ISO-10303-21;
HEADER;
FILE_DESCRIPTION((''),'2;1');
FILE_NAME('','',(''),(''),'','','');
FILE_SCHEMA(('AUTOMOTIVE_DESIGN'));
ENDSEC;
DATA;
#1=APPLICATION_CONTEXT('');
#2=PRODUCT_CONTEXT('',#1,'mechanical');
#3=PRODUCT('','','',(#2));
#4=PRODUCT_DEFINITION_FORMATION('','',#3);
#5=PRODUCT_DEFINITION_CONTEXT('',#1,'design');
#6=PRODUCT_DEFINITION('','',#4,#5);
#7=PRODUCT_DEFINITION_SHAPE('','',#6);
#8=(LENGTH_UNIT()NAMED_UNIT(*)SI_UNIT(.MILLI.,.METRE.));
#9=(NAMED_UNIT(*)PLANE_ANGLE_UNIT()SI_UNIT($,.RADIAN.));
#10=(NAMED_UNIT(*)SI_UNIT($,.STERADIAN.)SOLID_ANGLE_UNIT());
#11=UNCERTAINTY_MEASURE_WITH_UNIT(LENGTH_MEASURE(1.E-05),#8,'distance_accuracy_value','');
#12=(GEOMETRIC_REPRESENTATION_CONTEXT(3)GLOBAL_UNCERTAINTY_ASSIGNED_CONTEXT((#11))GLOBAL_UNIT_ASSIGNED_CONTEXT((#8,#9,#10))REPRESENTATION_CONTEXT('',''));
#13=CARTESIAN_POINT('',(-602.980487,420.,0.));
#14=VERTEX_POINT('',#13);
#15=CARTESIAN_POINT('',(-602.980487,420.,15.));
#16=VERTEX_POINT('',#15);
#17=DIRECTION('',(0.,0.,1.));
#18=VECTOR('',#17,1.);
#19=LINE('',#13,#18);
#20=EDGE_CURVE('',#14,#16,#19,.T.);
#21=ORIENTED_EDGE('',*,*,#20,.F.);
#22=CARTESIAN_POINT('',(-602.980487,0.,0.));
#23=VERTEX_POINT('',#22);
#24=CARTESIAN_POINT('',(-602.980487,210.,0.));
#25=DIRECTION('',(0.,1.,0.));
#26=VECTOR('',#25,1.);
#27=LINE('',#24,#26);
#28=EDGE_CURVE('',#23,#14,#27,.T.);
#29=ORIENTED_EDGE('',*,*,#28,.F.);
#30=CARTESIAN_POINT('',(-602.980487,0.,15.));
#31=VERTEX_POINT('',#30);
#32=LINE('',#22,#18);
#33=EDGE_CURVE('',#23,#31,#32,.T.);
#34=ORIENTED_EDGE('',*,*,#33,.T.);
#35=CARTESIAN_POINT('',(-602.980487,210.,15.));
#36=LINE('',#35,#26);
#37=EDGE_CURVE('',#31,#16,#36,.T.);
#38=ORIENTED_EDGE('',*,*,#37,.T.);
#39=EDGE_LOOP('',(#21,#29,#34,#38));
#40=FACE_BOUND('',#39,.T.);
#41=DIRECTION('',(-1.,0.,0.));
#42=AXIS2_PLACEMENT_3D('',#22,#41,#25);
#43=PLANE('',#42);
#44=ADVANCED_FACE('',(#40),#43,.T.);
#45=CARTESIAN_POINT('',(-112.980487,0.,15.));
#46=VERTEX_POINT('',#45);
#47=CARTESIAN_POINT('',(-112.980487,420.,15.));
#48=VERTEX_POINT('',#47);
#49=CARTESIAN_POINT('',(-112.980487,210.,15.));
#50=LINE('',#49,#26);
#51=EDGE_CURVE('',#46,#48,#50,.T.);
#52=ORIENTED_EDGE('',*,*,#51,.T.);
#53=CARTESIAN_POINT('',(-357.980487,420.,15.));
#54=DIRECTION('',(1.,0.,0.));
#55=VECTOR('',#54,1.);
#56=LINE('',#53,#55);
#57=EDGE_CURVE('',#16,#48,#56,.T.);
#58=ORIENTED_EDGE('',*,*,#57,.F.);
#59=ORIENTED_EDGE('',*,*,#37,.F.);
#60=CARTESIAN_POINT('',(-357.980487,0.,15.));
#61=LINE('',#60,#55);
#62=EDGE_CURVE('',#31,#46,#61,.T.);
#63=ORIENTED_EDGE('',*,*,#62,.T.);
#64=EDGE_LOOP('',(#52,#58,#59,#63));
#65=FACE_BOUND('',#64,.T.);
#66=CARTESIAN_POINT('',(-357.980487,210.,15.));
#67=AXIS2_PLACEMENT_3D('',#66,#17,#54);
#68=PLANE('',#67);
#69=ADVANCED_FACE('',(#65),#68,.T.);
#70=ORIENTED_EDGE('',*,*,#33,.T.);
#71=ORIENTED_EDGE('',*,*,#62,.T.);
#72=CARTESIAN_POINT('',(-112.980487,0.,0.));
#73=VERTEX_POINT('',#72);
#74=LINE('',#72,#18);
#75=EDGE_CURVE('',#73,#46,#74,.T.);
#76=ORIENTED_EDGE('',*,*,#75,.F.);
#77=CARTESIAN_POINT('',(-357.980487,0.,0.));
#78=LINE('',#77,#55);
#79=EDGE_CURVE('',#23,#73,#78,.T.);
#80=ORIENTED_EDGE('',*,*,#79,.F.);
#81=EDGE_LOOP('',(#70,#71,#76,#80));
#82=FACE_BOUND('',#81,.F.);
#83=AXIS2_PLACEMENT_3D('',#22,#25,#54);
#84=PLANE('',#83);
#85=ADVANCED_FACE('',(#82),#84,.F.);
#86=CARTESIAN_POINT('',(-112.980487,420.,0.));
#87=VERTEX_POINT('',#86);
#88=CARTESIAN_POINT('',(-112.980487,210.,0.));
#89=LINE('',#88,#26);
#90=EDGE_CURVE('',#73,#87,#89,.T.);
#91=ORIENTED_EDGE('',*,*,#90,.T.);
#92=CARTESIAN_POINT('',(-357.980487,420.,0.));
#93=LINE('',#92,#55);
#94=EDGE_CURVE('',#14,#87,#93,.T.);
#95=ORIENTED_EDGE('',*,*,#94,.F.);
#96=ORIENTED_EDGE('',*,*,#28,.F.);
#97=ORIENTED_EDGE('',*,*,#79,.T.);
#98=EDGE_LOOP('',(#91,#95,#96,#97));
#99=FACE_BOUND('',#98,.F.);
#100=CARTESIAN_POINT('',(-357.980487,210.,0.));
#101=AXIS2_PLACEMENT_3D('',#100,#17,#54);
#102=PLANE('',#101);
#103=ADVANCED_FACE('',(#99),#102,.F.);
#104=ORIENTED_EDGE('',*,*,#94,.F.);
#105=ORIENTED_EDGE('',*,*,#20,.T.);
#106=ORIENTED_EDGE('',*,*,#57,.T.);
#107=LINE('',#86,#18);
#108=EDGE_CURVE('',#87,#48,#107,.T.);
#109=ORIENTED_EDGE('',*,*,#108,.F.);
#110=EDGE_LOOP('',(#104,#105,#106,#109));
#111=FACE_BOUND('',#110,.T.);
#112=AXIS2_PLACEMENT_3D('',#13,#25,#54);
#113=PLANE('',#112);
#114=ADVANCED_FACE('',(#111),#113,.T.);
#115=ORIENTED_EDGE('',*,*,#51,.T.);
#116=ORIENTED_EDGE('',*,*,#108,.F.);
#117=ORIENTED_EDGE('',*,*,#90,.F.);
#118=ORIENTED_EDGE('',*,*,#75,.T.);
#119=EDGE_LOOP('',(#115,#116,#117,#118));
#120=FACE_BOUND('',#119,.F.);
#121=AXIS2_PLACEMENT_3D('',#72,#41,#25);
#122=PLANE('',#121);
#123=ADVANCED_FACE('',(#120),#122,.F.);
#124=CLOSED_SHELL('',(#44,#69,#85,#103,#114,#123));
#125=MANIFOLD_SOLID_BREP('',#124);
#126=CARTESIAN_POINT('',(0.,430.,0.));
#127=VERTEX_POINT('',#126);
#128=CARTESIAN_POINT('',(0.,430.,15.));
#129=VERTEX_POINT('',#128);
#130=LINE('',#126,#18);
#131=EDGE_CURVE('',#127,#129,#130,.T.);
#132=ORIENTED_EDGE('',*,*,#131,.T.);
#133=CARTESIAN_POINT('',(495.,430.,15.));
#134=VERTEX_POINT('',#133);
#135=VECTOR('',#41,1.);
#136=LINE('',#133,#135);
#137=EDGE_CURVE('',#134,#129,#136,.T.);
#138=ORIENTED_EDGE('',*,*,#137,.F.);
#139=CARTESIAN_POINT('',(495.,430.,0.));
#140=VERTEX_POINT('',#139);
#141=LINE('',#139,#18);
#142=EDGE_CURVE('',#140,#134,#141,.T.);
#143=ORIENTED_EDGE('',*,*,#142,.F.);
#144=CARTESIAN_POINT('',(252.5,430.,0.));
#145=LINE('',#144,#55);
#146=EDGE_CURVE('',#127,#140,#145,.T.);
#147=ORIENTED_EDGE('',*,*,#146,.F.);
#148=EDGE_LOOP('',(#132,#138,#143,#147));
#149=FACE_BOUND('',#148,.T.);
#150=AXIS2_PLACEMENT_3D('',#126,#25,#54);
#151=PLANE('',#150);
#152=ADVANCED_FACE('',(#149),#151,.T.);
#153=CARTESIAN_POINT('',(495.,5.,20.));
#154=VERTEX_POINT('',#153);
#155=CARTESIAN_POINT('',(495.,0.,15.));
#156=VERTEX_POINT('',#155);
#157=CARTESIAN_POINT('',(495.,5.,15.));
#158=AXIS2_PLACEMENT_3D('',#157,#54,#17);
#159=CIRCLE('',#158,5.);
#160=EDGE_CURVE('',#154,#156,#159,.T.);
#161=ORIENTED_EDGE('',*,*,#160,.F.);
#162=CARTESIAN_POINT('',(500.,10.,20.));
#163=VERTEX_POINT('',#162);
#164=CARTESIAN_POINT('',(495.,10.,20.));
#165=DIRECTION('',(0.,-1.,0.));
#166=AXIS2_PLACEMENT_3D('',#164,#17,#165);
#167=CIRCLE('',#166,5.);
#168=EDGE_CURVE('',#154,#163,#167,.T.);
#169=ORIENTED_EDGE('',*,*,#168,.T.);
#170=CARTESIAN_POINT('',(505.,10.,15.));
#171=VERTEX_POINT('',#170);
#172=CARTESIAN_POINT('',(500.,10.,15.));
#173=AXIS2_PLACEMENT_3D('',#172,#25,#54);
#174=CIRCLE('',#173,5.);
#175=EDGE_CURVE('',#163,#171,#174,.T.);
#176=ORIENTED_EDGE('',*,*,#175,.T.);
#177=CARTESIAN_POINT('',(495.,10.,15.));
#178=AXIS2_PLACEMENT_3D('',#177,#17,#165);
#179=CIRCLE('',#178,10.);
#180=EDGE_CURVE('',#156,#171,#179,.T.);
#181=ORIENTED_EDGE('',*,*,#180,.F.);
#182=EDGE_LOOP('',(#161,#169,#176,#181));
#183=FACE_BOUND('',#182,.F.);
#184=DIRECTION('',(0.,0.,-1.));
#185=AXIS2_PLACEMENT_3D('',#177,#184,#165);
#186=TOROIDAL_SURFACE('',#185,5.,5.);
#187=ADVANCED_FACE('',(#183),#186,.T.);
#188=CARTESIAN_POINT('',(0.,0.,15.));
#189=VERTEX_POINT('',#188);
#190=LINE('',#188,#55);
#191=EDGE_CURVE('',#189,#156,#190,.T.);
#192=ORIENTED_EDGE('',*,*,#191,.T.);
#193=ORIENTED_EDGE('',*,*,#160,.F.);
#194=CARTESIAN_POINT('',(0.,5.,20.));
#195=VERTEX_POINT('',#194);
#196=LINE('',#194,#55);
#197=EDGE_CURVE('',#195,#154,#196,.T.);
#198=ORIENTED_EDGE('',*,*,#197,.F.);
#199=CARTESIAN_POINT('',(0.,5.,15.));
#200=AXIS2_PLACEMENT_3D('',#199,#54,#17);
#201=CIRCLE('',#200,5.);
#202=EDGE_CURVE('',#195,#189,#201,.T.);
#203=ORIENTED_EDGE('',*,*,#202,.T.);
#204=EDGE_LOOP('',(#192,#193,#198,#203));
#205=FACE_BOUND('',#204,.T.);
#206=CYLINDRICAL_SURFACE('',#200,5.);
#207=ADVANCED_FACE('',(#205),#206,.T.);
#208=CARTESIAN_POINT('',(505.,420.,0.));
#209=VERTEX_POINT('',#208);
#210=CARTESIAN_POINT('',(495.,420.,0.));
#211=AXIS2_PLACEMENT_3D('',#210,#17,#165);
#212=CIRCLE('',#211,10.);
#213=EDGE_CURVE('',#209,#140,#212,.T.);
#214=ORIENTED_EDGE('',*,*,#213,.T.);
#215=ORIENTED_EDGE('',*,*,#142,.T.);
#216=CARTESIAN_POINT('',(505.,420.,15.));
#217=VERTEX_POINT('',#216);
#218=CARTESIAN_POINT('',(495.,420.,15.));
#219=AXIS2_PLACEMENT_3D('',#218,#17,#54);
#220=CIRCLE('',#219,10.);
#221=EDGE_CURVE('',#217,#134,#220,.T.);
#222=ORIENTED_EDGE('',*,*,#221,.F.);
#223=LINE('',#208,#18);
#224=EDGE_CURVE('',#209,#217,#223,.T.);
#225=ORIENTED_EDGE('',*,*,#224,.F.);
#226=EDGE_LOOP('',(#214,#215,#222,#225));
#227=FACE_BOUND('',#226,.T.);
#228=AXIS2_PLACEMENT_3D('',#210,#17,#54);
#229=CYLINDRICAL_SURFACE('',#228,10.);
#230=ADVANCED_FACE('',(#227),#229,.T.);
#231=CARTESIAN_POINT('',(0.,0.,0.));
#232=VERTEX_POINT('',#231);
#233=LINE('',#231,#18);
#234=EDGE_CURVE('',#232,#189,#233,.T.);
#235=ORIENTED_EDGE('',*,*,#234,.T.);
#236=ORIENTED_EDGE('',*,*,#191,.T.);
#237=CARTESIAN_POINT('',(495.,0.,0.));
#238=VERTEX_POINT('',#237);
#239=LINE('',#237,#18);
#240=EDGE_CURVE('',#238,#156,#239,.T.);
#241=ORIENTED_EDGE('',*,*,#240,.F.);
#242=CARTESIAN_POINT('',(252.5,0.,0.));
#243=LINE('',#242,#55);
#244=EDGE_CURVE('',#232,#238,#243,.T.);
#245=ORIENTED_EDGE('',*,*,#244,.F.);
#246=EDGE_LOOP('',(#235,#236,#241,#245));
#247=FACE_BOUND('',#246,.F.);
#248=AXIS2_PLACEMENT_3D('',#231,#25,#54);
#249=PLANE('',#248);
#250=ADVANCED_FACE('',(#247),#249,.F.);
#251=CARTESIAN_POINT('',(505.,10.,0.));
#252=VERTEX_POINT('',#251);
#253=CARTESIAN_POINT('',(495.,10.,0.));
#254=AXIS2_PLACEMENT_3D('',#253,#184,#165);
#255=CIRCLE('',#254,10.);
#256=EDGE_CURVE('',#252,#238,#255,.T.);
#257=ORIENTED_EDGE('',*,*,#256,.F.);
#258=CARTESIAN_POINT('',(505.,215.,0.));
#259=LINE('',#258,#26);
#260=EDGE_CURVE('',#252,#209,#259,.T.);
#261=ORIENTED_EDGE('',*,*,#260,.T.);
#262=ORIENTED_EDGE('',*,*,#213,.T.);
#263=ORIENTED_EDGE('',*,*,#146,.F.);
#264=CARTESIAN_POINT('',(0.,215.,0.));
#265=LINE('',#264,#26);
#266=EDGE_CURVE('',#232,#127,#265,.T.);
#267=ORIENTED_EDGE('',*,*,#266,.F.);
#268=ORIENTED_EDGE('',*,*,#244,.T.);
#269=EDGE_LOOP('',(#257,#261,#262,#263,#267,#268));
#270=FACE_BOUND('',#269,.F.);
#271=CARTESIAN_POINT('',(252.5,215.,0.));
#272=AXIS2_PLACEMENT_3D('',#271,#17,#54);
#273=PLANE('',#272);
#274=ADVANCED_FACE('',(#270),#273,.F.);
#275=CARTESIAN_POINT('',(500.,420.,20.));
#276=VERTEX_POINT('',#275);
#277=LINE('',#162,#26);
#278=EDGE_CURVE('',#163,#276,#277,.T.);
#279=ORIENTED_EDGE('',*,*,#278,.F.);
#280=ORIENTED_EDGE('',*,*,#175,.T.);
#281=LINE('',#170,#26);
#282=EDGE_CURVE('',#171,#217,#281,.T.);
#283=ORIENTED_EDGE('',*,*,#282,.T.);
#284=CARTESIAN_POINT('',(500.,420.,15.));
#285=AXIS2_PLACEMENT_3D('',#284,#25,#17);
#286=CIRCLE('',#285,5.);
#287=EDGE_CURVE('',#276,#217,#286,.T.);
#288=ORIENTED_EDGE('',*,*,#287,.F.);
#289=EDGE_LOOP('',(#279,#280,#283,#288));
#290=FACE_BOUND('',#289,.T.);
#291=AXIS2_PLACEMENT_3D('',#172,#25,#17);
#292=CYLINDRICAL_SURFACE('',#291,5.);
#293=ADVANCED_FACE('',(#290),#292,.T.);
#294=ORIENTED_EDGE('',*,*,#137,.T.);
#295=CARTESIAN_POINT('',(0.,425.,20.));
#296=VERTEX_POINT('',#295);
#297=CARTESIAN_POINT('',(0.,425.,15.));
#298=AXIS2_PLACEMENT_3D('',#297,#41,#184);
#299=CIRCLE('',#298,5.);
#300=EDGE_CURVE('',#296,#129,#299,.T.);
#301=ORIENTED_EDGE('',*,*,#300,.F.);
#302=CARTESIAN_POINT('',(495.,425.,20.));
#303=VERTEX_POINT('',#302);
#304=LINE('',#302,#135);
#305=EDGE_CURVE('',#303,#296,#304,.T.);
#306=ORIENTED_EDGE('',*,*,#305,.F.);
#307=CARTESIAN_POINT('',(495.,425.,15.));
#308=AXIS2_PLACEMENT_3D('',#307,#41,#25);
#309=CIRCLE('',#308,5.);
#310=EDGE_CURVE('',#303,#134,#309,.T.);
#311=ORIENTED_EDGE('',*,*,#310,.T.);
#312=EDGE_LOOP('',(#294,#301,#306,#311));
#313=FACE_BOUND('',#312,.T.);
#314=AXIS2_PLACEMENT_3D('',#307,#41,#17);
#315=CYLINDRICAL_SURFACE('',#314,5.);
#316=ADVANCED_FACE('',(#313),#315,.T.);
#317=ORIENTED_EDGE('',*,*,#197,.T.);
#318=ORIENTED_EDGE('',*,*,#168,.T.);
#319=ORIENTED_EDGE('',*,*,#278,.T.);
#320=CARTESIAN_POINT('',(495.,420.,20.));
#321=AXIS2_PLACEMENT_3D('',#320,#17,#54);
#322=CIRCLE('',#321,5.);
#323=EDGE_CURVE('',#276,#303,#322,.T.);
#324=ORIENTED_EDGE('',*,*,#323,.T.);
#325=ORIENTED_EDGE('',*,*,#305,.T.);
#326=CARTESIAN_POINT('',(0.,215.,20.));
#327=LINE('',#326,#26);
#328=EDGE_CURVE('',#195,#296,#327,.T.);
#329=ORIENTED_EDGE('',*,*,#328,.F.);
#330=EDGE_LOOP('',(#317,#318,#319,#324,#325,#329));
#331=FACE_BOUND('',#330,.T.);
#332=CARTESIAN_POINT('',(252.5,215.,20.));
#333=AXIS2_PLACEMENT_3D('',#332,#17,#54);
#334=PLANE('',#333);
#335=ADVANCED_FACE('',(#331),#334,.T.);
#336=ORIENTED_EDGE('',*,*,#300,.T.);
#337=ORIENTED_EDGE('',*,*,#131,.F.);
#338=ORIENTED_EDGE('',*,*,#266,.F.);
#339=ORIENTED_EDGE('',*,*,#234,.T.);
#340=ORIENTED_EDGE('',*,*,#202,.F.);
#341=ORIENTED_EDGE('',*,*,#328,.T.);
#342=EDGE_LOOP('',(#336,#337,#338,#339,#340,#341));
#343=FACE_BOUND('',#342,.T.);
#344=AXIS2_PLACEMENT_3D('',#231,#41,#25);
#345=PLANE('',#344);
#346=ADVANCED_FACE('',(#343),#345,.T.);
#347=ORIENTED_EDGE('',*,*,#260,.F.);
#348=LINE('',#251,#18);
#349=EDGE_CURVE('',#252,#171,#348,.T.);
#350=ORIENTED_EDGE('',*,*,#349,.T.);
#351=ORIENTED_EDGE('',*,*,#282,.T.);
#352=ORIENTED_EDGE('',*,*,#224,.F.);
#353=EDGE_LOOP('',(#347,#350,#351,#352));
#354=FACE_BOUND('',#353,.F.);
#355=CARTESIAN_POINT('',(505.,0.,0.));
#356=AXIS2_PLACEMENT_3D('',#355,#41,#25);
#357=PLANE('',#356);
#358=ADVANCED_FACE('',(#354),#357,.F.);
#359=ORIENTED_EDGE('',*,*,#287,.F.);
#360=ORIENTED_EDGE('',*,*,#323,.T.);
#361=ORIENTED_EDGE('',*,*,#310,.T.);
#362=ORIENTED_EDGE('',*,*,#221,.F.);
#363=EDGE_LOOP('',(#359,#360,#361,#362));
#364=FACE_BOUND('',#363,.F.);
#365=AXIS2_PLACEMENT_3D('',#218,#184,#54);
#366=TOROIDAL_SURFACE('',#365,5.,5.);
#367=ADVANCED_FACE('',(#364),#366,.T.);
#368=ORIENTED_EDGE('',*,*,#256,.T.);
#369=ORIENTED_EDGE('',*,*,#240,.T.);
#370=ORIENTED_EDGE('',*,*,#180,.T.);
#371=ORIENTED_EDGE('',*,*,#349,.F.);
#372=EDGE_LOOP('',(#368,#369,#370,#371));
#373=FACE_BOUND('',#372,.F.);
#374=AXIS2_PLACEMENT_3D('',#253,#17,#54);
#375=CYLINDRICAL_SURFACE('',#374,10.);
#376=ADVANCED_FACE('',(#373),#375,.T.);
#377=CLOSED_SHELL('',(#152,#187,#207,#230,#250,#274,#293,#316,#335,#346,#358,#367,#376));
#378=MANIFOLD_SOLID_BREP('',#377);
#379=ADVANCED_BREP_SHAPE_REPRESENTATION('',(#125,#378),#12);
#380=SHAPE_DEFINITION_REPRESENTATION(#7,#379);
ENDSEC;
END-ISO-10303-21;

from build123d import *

# Parameters (mm, degrees)
F0_W     = 505
F0_H     = 430
F1_DEPTH = 20
F2_W     = 490
F2_H     = 420
F3_DEPTH = 15
F4_R     = 10
F5_R     = 10
F6_R     = 5


with BuildPart() as f1:
    # F0 (on Top) → F1 (new body)
    with BuildSketch(Plane.XY):
        with Locations((252.5, 215)):
            Rectangle(F0_W, F0_H)
    extrude(amount=F1_DEPTH)

    # F4
    f4_edges = [f1.edges().sort_by_distance(p)[0] for p in [
        (505, 430, 10),
    ]]
    fillet(f4_edges, radius=F4_R)

    # F5
    f5_edges = [f1.edges().sort_by_distance(p)[0] for p in [
        (505, 0, 10),
    ]]
    fillet(f5_edges, radius=F5_R)

    # F6
    f6_edges = [f1.edges().sort_by_distance(p)[0] for p in [
        (247.5, 0, 20),
    ]]
    fillet(f6_edges, radius=F6_R)


with BuildPart() as f3:
    # F2 (on Top) → F3 (new body)
    with BuildSketch(Plane.XY):
        with Locations((-357.980487, 210)):
            Rectangle(F2_W, F2_H)
    extrude(amount=F3_DEPTH)


solid = Compound([f1.part, f3.part])
